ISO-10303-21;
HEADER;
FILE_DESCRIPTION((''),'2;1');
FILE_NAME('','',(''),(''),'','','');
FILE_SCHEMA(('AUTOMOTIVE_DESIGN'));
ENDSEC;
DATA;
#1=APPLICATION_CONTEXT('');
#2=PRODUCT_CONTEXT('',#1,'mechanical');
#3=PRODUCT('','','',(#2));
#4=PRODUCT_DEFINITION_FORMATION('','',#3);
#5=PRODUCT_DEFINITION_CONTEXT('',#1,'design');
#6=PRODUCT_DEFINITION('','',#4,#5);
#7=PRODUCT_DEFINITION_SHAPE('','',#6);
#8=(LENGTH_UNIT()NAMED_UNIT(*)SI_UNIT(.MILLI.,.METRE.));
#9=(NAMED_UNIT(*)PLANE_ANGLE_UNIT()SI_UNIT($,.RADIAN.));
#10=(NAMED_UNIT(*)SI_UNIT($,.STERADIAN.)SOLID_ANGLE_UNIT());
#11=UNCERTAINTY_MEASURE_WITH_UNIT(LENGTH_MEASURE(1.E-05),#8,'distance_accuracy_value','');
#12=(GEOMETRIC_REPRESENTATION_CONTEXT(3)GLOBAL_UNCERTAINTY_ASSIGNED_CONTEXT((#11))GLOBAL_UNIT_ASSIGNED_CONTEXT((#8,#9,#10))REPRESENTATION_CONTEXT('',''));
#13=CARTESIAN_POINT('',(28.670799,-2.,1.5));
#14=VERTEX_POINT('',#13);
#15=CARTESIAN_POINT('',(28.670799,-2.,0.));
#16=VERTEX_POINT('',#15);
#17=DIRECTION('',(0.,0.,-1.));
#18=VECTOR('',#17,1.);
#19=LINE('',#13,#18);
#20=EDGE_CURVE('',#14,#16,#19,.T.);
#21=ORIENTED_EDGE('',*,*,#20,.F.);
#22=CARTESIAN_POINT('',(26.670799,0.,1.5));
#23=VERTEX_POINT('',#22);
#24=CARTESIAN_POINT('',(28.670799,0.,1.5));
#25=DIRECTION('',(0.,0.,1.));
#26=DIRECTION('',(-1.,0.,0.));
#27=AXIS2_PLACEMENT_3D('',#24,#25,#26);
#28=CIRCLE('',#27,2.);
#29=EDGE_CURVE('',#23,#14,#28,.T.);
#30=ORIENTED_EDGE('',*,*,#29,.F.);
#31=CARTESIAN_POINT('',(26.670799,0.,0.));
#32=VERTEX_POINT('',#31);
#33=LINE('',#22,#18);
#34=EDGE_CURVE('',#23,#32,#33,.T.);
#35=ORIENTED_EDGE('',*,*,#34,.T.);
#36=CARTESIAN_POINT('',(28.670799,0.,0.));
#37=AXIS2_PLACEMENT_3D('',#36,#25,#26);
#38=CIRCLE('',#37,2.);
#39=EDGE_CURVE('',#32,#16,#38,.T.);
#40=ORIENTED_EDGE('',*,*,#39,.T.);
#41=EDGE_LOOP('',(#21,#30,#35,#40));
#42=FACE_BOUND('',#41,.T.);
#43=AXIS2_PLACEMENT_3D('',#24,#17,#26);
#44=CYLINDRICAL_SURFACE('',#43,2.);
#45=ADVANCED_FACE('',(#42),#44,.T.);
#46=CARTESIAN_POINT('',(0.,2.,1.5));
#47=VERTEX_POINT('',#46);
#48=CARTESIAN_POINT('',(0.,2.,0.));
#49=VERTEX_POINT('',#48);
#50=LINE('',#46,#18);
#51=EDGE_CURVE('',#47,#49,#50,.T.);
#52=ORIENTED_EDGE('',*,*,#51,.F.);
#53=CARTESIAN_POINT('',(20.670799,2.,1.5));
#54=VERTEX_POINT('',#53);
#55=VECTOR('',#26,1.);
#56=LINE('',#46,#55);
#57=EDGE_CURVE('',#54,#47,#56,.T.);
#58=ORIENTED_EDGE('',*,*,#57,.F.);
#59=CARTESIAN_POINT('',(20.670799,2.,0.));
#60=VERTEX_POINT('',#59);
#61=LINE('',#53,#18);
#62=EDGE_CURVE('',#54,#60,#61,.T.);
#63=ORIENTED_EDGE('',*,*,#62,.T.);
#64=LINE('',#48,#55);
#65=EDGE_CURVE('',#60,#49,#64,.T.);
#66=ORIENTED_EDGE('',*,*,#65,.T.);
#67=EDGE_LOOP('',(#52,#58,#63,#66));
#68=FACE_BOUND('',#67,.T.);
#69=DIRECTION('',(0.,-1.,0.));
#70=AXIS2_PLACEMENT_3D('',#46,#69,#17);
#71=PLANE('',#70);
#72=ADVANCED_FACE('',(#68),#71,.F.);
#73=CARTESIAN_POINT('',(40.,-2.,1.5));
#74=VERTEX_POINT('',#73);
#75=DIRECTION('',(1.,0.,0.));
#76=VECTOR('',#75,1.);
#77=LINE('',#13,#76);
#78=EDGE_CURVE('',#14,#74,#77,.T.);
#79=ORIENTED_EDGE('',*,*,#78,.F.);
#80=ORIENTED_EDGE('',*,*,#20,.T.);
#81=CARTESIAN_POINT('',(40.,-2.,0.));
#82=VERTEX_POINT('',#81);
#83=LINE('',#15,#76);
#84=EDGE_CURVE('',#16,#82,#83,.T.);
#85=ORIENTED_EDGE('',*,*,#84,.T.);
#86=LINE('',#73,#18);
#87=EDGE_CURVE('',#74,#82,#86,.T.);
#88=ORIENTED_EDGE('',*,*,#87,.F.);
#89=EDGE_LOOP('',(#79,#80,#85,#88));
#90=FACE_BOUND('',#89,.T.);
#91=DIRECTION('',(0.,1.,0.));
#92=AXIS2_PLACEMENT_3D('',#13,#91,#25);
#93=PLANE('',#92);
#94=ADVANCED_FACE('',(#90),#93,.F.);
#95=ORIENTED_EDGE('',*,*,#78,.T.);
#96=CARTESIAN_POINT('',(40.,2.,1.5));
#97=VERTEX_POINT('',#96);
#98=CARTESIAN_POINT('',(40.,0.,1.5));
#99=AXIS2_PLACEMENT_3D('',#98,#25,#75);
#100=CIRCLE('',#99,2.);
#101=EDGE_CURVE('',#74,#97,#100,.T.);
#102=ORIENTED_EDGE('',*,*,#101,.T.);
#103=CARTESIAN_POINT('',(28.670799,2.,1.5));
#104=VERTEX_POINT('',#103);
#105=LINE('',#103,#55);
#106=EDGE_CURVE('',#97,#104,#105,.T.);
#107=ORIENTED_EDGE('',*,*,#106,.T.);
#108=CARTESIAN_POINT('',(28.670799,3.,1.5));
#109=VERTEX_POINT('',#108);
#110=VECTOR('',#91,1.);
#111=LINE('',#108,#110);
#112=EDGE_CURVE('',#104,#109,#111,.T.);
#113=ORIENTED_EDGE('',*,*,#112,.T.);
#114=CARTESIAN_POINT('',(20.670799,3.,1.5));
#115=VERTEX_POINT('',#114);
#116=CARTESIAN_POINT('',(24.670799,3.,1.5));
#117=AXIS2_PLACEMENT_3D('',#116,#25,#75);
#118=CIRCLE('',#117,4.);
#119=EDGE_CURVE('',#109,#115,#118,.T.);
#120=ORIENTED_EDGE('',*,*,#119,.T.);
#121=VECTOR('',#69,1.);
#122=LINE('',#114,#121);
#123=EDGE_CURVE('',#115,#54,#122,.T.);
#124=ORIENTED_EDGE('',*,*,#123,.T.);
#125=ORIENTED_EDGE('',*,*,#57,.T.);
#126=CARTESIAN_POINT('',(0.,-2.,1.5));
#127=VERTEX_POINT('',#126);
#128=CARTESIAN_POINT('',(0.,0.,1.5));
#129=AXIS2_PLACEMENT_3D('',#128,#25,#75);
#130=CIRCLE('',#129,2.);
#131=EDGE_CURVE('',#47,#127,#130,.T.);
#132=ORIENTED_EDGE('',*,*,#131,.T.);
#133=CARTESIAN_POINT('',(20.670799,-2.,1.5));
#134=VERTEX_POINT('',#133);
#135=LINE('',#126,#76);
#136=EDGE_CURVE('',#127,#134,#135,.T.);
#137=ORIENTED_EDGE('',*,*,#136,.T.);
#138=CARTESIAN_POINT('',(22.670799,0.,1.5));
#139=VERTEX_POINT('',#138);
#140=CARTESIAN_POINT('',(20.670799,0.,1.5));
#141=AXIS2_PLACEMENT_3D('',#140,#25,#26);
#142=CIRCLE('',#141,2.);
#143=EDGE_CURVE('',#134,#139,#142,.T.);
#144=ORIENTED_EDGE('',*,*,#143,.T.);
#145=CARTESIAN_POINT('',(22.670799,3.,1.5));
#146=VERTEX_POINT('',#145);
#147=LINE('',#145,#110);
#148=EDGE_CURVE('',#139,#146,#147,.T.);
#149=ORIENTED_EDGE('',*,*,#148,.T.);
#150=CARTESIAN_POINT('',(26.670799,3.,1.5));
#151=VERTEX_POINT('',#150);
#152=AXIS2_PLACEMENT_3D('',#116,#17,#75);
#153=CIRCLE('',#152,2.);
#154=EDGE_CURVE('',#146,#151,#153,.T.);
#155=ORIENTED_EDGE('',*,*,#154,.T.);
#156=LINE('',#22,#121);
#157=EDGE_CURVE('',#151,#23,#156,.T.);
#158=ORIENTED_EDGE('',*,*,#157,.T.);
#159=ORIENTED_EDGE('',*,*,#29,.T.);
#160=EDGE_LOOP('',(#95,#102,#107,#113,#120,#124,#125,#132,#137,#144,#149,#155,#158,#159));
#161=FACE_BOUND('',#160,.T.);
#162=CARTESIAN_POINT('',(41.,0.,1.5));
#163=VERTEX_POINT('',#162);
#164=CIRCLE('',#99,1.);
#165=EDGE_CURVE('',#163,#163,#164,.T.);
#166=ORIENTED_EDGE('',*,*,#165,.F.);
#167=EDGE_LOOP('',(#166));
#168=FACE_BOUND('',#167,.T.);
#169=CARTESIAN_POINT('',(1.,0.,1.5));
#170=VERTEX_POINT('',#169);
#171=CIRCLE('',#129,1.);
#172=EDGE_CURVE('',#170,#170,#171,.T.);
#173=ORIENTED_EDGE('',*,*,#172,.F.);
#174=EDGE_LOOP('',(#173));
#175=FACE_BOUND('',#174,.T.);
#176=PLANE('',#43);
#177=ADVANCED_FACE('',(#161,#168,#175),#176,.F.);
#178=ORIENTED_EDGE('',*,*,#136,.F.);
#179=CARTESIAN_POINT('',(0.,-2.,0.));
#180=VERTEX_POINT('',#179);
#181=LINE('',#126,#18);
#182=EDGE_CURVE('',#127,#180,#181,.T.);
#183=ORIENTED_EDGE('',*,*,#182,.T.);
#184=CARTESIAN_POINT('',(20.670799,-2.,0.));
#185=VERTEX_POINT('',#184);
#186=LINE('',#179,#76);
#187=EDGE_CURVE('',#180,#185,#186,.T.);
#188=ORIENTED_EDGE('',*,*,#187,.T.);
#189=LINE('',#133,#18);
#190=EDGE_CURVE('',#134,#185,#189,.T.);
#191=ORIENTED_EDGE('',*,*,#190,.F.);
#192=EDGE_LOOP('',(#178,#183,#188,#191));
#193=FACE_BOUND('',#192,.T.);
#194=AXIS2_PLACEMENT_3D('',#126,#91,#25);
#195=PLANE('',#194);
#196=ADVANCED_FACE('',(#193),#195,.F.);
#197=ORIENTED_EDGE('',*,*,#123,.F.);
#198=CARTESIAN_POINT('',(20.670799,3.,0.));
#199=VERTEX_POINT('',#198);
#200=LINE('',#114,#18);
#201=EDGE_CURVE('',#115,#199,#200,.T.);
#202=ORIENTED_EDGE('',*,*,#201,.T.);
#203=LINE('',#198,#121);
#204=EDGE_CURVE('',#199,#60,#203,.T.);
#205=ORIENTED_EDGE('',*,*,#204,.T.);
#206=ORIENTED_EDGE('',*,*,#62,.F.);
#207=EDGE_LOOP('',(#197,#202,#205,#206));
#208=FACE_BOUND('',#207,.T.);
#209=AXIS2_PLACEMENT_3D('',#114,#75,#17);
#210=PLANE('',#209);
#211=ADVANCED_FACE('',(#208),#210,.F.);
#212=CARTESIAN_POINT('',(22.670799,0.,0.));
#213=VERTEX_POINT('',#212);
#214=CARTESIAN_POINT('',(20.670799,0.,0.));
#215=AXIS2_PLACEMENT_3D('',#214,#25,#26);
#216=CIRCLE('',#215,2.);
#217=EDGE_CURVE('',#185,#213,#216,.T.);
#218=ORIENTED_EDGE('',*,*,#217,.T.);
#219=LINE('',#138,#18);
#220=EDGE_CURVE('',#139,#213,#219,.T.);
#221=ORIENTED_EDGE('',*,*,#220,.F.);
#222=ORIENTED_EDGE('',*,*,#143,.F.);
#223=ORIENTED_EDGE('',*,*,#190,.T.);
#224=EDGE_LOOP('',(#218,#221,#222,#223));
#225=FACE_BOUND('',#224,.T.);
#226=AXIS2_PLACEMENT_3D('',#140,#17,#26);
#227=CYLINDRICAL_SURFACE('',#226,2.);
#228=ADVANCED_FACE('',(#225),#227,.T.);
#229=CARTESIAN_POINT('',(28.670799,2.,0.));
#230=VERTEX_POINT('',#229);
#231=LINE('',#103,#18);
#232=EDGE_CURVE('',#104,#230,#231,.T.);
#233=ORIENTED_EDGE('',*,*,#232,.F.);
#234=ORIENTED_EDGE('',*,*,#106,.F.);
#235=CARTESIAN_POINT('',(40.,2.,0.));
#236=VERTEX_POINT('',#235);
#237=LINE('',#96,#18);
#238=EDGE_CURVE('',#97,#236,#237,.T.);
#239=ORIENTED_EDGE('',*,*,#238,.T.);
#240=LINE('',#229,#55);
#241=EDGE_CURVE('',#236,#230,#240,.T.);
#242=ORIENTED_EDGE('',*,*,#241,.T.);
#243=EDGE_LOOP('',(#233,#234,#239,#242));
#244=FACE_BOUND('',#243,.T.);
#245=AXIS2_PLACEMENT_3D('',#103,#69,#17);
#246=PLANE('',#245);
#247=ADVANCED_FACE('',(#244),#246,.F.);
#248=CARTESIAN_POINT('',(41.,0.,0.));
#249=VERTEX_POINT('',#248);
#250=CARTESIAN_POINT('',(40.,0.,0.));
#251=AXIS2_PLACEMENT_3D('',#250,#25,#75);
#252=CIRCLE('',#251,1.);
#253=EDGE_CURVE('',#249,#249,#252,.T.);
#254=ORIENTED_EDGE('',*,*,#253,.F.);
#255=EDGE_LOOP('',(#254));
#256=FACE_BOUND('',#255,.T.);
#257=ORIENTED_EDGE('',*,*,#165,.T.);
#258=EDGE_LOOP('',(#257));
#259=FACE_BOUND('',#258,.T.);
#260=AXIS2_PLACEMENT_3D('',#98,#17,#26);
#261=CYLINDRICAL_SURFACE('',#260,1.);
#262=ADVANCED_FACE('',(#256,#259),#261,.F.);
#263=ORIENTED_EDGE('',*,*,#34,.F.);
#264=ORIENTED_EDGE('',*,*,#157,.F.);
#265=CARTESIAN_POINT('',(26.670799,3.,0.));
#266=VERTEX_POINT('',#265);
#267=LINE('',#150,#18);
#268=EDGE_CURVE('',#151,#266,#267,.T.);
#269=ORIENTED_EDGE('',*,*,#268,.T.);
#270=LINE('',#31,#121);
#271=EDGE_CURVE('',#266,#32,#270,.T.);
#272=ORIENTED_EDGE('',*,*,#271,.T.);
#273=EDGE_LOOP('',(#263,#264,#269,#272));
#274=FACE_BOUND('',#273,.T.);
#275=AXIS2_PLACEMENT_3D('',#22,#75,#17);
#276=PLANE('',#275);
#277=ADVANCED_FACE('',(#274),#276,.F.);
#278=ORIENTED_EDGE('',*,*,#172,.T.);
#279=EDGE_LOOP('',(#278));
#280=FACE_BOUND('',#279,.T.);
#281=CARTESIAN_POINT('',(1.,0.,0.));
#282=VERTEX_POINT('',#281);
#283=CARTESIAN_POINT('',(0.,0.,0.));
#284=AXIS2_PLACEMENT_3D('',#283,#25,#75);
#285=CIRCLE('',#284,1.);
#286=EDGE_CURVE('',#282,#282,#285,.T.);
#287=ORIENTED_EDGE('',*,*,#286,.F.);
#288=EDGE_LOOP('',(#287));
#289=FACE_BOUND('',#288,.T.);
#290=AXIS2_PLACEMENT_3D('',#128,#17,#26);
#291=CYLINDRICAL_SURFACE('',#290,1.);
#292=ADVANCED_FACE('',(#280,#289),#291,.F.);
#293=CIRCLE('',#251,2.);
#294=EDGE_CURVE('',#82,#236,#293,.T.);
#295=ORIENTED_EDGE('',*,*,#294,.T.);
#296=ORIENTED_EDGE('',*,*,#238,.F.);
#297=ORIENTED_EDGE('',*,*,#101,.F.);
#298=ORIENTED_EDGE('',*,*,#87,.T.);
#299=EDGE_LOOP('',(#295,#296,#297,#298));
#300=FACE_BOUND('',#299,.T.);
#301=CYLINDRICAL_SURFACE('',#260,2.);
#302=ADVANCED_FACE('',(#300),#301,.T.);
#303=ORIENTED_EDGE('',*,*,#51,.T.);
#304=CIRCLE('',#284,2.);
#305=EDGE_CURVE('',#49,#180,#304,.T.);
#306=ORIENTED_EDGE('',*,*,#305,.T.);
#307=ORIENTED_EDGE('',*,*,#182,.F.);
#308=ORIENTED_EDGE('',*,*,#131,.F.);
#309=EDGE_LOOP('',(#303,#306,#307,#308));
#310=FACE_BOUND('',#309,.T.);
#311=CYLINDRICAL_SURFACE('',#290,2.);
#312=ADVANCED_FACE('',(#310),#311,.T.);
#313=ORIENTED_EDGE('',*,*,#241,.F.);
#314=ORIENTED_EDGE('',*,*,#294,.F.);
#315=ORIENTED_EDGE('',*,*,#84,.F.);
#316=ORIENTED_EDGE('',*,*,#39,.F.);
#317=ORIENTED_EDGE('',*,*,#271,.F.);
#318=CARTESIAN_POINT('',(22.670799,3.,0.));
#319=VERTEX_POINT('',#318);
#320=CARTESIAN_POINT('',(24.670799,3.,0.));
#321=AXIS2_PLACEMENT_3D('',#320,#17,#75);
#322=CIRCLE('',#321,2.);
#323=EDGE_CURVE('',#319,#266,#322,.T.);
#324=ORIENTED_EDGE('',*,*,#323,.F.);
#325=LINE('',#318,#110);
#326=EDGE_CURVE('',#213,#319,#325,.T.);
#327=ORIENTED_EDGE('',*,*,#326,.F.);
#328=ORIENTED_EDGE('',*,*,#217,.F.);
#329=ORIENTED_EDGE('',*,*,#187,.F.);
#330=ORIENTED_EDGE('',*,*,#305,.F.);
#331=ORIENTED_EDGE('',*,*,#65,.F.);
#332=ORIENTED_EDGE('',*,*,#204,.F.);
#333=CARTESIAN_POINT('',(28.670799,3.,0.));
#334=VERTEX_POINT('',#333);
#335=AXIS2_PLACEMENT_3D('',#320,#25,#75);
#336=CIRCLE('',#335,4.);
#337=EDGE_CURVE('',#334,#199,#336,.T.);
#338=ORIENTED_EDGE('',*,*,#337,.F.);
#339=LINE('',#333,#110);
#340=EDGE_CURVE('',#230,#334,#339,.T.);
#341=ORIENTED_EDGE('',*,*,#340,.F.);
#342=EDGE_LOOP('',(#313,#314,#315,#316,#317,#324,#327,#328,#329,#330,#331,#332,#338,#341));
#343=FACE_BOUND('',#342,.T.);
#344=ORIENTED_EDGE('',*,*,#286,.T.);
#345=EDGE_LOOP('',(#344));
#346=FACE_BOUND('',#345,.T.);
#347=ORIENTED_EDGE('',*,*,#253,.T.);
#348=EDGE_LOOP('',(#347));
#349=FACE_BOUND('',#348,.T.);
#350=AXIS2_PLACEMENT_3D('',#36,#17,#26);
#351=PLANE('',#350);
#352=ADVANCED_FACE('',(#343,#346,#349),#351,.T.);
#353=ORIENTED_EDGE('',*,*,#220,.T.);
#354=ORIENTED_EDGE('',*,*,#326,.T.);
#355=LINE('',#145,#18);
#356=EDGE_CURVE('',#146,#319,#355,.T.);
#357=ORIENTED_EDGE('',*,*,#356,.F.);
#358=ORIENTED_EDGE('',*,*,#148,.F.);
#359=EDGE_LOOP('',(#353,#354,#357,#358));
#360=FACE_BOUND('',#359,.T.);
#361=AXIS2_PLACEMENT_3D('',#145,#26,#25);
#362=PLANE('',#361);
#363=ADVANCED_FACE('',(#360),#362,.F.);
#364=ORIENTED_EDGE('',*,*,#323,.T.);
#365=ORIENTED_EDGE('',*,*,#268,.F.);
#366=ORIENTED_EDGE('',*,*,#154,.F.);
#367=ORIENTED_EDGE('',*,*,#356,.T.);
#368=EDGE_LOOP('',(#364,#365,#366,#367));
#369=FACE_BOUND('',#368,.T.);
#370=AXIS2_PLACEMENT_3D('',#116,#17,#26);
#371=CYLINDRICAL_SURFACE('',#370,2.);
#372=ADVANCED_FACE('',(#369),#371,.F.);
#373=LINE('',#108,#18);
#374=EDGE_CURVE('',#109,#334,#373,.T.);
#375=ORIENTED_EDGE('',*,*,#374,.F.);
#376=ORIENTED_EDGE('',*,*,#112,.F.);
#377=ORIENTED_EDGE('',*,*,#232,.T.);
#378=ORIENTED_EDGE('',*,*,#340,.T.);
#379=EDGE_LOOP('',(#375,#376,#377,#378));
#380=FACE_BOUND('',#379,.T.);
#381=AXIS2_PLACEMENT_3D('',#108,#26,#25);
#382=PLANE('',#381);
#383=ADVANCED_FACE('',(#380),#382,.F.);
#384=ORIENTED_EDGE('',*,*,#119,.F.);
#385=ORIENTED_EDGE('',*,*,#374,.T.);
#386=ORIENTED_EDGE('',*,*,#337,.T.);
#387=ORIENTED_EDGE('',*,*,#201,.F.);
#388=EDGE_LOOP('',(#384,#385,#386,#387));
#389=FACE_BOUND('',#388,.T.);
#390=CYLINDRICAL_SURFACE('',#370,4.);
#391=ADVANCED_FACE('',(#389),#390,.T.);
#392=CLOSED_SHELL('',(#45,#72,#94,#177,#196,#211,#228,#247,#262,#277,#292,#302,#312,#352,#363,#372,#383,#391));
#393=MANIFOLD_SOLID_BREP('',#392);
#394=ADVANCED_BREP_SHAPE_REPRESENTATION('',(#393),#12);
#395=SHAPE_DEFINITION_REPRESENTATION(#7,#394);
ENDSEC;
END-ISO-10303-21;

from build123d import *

# Parameters (mm, degrees)
SKETCH_1_R      = 1
EXTRUDE_1_DEPTH = 1.5


with BuildPart() as part:
    # 草图1 → 凸台-拉伸1 (new body)
    with BuildSketch(Plane.XY):
        with BuildLine():
            Line((28.670799108, 2), (40, 2))
            ThreePointArc((40, 2), (42, 0), (40, -2))
            Line((40, -2), (28.670799108, -2))
            ThreePointArc((28.670799108, -2), (27.256585545, -1.414213562), (26.670799108, 0))
            Line((26.670799108, 0), (26.670799108, 3))
            ThreePointArc((26.670799108, 3), (24.670799108, 5), (22.670799108, 3))
            Line((22.670799108, 3), (22.670799108, 0))
            ThreePointArc((22.670799108, 0), (22.08501267, -1.414213562), (20.670799108, -2))
            Line((20.670799108, -2), (0, -2))
            ThreePointArc((0, -2), (-2, 0), (0, 2))
            Line((0, 2), (20.670799108, 2))
            Line((20.670799108, 2), (20.670799108, 3))
            ThreePointArc((20.670799108, 3), (24.670799108, 7), (28.670799108, 3))
            Line((28.670799108, 3), (28.670799108, 2))
        make_face()
        with Locations((40, 0)):
            Circle(SKETCH_1_R, mode=Mode.SUBTRACT)
        Circle(SKETCH_1_R, mode=Mode.SUBTRACT)
    extrude(amount=EXTRUDE_1_DEPTH)


solid = part.part
